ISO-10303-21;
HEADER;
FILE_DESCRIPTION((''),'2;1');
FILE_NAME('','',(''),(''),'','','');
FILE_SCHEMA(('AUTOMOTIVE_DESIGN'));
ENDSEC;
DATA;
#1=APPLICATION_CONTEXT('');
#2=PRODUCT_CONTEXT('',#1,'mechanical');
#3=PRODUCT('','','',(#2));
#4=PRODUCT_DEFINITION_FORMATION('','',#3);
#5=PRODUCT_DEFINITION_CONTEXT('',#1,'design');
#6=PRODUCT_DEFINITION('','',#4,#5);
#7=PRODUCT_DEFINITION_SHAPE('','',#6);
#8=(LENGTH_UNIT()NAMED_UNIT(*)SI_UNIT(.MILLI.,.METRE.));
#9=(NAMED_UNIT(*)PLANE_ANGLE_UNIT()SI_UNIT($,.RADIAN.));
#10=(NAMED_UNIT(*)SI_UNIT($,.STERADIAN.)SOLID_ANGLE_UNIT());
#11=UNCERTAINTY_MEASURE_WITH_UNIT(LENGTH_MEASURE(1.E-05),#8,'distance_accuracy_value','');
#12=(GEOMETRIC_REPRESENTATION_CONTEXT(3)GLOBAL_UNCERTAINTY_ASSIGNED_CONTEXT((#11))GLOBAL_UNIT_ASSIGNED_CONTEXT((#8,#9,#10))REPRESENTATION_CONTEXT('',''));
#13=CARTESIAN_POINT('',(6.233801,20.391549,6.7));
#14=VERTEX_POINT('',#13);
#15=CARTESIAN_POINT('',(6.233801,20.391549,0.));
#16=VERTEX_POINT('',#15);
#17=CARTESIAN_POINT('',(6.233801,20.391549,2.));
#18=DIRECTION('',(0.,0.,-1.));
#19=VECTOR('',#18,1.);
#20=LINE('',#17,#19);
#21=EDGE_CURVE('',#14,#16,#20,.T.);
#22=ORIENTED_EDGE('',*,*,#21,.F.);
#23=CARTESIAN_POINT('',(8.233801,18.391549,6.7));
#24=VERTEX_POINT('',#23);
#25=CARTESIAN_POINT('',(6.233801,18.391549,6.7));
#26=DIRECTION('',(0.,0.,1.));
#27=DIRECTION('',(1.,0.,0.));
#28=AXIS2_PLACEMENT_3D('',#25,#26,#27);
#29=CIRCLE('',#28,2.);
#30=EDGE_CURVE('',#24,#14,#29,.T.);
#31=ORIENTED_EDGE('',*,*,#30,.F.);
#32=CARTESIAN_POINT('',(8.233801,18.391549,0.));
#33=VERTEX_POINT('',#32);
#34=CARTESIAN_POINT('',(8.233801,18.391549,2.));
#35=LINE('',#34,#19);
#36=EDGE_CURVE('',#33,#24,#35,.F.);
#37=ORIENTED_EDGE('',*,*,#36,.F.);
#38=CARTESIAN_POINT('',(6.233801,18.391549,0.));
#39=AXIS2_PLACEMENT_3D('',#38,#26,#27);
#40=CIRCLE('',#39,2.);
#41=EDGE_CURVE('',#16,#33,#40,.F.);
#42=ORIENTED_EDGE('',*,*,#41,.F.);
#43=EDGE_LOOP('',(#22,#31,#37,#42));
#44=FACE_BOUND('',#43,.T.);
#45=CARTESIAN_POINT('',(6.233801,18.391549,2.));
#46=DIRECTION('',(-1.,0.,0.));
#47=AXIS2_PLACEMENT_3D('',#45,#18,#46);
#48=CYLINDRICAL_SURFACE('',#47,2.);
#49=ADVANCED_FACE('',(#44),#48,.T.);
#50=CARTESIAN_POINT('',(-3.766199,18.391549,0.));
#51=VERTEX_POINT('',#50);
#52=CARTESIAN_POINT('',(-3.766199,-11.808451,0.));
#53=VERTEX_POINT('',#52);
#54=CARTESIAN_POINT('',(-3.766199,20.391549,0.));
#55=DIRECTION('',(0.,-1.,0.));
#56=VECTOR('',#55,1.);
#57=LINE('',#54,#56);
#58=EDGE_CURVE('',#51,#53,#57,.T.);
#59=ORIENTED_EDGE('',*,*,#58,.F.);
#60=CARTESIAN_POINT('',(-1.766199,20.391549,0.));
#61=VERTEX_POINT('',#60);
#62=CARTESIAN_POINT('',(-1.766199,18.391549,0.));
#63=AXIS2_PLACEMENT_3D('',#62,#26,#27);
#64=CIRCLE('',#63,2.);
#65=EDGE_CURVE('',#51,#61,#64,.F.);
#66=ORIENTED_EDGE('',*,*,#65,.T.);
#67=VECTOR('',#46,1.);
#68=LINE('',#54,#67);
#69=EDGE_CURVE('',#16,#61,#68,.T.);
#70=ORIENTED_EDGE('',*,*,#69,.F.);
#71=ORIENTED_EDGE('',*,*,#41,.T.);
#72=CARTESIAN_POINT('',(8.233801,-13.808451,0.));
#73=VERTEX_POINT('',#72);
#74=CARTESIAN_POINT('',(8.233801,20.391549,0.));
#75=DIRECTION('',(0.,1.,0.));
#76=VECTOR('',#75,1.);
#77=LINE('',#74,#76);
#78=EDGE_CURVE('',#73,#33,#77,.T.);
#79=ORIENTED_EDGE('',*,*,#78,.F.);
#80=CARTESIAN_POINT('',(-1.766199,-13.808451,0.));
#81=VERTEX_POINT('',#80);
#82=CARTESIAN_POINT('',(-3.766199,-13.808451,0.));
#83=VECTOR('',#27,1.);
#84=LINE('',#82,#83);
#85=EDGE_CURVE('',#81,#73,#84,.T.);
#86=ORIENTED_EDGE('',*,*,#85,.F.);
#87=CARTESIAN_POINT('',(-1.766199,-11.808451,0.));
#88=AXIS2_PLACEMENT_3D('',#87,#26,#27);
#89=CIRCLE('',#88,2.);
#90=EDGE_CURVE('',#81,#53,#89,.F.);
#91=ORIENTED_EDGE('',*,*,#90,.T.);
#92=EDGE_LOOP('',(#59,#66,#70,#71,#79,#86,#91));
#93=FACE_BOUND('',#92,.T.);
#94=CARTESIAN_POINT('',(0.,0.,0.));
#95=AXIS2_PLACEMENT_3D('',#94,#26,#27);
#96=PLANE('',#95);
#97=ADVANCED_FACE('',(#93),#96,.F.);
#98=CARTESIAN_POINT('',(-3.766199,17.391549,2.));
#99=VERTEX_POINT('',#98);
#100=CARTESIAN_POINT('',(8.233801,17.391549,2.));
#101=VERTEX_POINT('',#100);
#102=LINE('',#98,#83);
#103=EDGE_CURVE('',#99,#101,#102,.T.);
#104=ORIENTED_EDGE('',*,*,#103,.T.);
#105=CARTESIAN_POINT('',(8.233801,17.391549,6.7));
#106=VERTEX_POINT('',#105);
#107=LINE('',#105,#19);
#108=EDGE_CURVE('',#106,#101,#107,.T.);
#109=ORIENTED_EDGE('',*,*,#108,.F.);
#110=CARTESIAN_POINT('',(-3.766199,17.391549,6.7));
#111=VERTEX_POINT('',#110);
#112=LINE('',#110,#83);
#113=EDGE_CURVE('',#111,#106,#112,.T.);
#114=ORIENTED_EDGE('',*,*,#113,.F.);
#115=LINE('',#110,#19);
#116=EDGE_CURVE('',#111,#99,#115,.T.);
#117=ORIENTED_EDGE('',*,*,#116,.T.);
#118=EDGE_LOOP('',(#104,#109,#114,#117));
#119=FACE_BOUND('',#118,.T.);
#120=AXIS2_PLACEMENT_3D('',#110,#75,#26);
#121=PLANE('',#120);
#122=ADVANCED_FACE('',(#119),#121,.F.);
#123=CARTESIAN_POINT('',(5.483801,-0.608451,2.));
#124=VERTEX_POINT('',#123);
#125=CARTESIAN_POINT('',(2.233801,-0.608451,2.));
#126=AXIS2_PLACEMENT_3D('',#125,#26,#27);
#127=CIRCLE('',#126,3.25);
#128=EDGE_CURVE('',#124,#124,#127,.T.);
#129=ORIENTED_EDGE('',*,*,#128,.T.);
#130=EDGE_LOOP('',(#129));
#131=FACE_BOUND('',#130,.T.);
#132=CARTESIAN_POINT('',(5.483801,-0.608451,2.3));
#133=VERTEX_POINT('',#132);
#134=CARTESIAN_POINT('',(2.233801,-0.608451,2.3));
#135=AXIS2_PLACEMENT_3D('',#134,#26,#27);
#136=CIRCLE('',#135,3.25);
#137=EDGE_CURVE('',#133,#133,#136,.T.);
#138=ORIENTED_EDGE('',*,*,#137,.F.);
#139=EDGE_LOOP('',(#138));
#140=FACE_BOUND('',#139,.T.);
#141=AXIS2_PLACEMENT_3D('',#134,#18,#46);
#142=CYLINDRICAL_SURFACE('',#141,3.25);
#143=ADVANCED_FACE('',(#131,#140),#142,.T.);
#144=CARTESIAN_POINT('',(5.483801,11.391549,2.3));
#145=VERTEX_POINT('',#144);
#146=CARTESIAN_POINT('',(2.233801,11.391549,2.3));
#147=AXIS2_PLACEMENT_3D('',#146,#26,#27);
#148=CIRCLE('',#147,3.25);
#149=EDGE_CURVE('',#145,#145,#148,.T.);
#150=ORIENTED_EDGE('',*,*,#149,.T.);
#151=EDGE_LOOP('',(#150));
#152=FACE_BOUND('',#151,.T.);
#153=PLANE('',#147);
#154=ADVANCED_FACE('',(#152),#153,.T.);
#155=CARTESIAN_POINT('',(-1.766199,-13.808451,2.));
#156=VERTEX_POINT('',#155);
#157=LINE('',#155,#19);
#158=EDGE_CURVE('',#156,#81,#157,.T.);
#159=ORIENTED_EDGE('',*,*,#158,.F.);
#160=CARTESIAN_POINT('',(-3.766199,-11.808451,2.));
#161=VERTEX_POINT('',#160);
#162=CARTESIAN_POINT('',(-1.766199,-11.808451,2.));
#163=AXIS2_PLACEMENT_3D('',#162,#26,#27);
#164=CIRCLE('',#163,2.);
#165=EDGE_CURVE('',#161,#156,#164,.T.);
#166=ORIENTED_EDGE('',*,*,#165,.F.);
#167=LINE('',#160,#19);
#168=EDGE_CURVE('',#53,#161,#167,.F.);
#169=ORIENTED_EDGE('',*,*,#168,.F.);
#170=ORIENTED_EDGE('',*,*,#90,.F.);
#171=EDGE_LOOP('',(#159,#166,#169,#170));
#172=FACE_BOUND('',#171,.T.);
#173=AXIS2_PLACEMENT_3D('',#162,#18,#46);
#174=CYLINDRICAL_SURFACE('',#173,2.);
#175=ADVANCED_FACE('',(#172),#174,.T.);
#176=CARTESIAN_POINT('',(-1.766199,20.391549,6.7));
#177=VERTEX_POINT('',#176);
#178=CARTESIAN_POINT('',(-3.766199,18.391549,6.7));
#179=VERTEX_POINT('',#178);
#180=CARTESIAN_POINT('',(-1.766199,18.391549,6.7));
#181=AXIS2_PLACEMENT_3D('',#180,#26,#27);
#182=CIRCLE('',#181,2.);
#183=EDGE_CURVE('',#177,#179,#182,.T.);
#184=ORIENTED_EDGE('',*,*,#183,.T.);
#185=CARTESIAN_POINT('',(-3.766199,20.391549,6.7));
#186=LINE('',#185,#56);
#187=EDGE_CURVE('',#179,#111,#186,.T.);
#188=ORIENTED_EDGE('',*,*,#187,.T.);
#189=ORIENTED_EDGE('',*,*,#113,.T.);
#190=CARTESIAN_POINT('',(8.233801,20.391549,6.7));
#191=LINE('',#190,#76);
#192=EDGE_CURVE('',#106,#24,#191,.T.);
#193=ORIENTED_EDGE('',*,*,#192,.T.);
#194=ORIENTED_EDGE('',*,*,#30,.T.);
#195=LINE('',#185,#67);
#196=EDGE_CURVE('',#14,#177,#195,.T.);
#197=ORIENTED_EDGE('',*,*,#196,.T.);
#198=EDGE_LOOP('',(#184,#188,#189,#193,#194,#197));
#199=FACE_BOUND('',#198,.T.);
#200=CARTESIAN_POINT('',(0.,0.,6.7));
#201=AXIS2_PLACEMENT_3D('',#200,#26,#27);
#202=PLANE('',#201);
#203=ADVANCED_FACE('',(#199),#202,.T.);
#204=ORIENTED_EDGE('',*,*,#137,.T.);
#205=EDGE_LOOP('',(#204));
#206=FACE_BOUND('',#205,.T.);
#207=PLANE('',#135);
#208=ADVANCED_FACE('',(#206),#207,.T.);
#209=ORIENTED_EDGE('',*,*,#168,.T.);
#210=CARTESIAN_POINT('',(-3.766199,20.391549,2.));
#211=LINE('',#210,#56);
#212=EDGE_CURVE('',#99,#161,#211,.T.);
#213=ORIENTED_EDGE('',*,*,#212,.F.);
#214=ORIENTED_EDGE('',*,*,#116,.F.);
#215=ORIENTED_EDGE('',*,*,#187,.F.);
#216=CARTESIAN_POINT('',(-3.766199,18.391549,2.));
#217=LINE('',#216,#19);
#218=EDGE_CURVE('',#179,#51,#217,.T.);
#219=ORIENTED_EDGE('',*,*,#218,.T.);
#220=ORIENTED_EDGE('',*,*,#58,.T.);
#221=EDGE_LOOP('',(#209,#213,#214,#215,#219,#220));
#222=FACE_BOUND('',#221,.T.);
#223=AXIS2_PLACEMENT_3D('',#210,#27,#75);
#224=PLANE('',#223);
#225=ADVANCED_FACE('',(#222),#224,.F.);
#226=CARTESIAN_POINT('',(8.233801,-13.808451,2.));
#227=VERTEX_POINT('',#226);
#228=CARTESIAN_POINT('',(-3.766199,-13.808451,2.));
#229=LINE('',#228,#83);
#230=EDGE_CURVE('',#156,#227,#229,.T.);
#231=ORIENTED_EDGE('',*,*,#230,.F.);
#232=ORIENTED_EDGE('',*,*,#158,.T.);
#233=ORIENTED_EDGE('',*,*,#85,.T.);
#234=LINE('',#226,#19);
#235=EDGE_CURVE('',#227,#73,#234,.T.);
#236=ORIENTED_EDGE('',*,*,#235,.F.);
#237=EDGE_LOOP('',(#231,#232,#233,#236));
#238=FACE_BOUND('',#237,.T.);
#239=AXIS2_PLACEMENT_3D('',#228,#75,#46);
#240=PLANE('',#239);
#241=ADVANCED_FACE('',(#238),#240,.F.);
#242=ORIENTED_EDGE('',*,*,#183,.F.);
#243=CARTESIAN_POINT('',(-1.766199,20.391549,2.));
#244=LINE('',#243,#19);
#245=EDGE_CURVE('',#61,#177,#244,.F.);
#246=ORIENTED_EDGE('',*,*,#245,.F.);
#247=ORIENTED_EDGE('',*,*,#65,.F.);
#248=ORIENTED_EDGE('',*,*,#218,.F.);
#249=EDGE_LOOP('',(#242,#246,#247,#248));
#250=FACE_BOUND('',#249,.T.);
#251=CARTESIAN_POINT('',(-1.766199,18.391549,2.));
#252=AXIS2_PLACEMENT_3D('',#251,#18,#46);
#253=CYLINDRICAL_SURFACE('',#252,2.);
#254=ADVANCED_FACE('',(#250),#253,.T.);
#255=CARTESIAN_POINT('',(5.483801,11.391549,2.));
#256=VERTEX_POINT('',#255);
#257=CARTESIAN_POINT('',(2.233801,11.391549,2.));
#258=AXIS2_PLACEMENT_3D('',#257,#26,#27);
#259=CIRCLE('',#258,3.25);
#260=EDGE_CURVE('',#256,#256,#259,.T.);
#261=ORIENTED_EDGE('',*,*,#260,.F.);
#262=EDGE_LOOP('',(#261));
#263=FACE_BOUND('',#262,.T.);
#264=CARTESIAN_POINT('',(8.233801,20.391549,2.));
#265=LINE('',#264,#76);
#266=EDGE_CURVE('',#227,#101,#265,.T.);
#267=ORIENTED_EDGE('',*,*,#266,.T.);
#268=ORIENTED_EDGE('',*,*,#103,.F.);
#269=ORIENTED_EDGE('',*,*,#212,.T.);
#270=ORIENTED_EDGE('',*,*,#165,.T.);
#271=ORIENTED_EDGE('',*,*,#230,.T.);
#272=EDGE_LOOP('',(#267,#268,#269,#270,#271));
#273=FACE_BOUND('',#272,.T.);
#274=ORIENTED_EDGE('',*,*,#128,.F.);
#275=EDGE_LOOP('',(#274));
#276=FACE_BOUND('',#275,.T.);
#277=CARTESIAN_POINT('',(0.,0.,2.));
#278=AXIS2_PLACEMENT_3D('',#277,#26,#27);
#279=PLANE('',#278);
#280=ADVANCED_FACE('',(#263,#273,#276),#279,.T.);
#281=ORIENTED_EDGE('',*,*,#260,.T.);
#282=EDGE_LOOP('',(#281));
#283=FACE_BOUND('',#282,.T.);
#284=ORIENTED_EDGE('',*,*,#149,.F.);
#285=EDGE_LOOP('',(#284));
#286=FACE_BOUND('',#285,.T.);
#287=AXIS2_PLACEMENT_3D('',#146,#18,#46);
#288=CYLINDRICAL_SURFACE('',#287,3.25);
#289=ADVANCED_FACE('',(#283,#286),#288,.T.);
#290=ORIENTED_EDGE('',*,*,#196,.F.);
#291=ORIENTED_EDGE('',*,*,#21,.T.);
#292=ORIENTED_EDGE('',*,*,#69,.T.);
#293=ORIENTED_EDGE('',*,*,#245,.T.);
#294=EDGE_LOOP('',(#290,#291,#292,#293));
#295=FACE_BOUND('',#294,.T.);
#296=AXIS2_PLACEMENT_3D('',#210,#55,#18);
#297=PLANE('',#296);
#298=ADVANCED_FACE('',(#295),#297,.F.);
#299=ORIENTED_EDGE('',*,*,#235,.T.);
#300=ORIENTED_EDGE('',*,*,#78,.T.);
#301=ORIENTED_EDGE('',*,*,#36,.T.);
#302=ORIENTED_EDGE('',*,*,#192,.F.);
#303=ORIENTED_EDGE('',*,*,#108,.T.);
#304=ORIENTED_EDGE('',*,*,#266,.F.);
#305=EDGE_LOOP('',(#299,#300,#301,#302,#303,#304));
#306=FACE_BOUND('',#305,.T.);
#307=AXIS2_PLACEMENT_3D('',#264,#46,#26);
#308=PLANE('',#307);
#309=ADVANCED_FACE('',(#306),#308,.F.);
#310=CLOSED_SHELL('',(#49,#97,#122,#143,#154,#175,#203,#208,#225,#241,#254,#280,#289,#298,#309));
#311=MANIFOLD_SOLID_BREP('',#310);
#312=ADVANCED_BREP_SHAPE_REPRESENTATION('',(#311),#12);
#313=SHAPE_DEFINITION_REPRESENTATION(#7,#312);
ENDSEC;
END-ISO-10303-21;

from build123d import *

# Parameters (mm, degrees)
ESQUISSE1_W        = 12
ESQUISSE1_H        = 34.2
BOSS_EXTRU_1_DEPTH = 2
ESQUISSE2_R        = 3.25
BOSS_EXTRU_2_DEPTH = 0.3
ESQUISSE3_W        = 12
ESQUISSE3_H        = 3
BOSS_EXTRU_3_DEPTH = 4.7
CONG_1_R           = 2


with BuildPart() as part:
    # Esquisse1 → Boss.-Extru.1 (new body)
    with BuildSketch(Plane.XY):
        with Locations((2.233800948, 3.291549296)):
            Rectangle(ESQUISSE1_W, ESQUISSE1_H)
    extrude(amount=BOSS_EXTRU_1_DEPTH)

    # Esquisse2 → Boss.-Extru.2 (add)
    with BuildSketch(Plane.XY.offset(2)):
        with Locations((2.233800948, 11.391549296)):
            Circle(ESQUISSE2_R)
        with Locations((2.233800948, -0.608450704)):
            Circle(ESQUISSE2_R)
    extrude(amount=BOSS_EXTRU_2_DEPTH)

    # Esquisse3 → Boss.-Extru.3 (add)
    with BuildSketch(Plane.XY.offset(2)):
        with Locations((2.233800948, 18.891549296)):
            Rectangle(ESQUISSE3_W, ESQUISSE3_H)
    extrude(amount=BOSS_EXTRU_3_DEPTH)

    # Congé1
    cong_1_edges = [part.edges().sort_by_distance(p)[0] for p in [
        (-3.766199052, 20.391549296, 3.35),
        (8.233800948, 20.391549296, 3.35),
        (-3.766199052, -13.808450704, 1),
    ]]
    fillet(cong_1_edges, radius=CONG_1_R)


solid = part.part
